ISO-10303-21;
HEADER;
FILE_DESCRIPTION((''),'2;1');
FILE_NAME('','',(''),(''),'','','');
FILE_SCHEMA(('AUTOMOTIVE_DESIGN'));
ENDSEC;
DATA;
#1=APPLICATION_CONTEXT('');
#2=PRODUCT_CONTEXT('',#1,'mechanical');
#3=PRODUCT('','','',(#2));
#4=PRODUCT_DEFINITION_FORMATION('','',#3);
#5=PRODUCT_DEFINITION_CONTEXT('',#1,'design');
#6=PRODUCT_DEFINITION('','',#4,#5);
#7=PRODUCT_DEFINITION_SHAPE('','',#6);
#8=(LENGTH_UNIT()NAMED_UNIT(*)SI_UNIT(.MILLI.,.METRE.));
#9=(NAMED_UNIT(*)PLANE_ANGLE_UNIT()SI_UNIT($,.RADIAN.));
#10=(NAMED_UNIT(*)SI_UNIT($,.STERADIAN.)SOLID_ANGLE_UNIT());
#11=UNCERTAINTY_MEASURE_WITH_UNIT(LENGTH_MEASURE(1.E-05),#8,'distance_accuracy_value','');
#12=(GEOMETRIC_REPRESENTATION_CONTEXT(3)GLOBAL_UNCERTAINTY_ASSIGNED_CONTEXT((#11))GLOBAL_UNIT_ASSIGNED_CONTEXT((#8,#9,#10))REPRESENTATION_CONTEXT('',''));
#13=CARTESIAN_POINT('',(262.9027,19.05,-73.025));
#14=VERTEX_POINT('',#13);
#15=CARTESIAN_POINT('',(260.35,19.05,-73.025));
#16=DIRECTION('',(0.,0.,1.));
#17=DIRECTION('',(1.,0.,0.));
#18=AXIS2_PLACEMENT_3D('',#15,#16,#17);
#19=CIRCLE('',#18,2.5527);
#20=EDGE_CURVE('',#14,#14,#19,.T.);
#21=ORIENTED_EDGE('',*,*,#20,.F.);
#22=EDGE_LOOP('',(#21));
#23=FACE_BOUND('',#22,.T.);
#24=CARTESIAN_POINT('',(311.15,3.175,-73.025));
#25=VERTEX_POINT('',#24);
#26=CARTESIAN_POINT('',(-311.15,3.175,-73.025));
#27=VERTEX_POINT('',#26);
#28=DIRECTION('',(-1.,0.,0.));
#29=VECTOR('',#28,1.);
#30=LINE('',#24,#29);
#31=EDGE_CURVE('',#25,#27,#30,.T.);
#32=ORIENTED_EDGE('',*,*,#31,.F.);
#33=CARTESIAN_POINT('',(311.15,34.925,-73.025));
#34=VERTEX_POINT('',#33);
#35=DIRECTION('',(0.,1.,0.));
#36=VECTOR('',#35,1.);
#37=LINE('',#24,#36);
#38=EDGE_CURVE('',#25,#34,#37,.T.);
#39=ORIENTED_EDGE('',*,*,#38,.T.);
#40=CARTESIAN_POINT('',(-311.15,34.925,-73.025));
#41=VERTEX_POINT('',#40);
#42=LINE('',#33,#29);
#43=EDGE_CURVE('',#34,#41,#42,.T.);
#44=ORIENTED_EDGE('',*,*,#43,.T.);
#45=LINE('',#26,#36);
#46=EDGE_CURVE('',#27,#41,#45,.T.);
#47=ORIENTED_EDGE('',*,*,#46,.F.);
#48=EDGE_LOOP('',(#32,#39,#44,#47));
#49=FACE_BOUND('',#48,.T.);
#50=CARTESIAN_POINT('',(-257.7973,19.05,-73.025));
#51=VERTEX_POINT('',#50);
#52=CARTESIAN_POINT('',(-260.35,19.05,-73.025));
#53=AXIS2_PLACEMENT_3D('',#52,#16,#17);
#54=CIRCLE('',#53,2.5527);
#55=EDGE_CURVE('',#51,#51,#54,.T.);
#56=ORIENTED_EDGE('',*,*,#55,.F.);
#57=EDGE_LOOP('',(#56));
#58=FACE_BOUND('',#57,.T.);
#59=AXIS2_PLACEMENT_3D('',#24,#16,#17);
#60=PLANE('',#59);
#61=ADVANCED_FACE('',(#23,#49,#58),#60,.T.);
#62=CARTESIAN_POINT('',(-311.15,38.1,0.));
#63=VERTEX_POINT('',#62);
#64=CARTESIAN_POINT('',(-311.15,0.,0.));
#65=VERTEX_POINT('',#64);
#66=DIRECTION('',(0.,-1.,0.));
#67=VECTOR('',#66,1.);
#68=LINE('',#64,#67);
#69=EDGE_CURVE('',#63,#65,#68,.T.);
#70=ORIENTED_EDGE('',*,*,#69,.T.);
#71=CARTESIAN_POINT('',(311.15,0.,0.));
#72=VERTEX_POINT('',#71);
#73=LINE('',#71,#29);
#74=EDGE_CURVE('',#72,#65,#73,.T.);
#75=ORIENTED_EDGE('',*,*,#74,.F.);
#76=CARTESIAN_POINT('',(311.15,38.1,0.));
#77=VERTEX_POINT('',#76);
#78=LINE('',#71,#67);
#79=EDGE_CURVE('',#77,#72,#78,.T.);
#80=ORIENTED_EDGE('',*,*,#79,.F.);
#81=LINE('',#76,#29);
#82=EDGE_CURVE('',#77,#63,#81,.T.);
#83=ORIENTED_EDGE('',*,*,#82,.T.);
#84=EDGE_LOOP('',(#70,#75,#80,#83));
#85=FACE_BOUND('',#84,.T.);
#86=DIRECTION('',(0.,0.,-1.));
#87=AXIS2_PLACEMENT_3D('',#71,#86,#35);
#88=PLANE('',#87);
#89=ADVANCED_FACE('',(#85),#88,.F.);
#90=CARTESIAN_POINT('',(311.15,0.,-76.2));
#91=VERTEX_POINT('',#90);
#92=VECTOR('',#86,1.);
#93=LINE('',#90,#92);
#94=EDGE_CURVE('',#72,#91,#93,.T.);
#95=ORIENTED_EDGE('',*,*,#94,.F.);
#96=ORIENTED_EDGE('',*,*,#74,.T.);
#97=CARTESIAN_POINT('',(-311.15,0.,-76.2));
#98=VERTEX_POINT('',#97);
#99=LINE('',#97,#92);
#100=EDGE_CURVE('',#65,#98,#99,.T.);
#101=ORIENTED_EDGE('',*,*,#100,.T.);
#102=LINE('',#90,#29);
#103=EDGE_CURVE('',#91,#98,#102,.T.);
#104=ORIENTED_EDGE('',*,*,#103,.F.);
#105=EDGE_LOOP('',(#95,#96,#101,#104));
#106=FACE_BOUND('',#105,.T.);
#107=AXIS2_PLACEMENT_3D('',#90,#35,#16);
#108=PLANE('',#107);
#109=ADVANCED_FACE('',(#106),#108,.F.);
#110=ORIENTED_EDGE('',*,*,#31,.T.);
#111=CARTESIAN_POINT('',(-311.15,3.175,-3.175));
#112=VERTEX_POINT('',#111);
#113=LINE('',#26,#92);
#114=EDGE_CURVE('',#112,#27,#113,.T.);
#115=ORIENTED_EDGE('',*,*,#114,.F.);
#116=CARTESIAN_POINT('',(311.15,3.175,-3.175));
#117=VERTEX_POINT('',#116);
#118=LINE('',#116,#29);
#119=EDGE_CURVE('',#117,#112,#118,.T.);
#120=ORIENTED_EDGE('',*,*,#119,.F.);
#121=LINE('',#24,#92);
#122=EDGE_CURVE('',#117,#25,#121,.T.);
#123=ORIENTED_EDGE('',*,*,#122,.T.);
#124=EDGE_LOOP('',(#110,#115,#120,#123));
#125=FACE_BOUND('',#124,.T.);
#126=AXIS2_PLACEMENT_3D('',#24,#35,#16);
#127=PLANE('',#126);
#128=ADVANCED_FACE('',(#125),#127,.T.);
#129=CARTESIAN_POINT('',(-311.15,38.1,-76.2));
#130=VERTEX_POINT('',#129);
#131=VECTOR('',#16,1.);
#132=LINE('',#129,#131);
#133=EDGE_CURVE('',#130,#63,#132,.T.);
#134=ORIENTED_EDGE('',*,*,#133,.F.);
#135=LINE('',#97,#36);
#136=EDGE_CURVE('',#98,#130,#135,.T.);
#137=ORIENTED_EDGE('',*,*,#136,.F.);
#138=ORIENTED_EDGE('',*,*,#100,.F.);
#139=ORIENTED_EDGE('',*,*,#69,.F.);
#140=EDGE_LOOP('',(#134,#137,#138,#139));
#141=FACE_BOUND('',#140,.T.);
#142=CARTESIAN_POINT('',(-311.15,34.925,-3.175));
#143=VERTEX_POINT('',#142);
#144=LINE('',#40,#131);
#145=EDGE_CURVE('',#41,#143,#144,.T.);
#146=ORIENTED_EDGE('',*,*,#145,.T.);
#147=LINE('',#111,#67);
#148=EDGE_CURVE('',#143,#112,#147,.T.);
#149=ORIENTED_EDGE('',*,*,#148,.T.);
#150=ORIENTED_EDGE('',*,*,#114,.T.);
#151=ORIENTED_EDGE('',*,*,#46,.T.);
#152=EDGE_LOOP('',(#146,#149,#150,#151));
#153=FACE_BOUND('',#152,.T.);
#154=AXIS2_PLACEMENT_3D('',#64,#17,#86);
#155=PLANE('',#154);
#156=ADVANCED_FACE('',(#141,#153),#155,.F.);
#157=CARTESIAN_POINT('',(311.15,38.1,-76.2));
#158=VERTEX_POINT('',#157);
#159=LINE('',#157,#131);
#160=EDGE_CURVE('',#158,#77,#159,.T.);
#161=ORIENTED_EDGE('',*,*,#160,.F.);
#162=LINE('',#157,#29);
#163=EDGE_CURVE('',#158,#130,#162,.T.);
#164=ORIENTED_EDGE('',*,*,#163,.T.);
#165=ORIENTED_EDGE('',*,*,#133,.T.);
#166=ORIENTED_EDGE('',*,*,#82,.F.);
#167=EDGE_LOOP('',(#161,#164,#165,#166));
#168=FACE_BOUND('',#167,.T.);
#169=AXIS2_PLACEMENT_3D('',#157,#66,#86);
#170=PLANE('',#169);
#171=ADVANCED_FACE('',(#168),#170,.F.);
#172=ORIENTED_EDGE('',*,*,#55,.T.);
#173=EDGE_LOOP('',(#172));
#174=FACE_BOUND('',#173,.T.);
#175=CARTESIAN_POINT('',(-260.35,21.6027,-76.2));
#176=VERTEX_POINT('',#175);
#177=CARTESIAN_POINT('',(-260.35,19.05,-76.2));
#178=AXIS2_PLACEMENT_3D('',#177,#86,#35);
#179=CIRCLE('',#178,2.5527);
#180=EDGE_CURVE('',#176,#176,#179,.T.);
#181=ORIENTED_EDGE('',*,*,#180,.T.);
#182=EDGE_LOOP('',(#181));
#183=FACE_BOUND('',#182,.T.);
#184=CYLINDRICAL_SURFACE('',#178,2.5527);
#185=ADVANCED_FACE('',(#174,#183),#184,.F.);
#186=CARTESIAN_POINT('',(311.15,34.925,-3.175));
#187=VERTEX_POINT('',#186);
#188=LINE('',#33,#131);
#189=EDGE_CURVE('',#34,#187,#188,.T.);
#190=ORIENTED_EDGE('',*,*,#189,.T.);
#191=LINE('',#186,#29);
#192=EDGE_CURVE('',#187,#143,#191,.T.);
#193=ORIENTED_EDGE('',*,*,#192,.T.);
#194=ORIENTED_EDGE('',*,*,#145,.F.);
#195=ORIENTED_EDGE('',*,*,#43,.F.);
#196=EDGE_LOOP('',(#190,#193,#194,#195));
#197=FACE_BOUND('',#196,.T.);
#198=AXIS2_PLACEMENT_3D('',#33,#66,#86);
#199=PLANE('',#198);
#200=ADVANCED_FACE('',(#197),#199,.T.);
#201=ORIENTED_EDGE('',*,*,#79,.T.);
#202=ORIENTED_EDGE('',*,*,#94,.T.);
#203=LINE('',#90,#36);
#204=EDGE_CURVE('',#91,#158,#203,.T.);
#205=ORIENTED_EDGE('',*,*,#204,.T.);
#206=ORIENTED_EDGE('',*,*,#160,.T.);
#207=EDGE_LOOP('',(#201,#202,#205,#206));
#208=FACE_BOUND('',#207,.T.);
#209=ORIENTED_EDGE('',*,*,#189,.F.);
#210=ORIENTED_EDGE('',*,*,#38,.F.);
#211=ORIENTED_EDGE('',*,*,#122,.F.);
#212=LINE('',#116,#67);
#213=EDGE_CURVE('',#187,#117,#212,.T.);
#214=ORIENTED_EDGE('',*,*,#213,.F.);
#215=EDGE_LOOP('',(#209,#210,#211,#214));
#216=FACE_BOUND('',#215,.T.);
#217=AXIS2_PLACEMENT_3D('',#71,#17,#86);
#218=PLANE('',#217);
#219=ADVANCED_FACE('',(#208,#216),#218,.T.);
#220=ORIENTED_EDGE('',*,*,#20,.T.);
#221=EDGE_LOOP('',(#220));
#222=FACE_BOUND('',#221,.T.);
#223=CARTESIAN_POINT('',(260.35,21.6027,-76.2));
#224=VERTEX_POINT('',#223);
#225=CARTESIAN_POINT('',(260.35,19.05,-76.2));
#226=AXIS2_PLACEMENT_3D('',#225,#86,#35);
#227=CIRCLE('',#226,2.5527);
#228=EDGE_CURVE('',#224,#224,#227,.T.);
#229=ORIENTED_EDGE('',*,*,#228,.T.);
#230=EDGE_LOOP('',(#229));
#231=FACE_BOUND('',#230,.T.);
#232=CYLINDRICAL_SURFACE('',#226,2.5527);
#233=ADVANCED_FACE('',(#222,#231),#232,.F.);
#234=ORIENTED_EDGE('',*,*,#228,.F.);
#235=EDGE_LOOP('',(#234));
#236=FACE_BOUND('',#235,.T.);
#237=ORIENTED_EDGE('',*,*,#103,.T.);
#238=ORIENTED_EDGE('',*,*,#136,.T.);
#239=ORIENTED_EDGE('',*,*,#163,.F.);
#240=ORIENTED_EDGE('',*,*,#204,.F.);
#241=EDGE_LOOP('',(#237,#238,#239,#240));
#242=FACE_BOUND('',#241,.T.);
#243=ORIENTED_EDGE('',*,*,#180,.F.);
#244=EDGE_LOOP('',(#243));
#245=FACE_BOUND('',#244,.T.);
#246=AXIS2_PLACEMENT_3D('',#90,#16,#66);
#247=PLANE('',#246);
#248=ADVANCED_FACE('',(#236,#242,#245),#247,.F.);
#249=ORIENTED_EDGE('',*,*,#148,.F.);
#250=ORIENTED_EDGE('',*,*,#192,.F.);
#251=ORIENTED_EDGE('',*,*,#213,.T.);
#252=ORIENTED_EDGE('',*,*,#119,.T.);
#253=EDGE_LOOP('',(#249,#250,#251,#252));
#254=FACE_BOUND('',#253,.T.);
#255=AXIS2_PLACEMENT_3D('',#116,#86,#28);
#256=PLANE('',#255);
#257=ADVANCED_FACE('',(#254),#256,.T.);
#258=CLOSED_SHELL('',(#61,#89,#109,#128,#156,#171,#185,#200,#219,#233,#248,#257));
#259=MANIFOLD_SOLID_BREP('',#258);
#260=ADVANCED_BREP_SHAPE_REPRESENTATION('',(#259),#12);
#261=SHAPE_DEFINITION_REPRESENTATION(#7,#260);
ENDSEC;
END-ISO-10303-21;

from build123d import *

# Parameters (mm, degrees)
SKETCH1_W                   = 76.2
SKETCH1_H                   = 38.1
SKETCH1_W_2                 = 69.85
SKETCH1_H_2                 = 31.75
BOSS_EXTRUDE1_DEPTH         = 311.15
F_1_4_20_TAPPED_HOLE1_D     = 5.1054
F_1_4_20_TAPPED_HOLE1_DEPTH = 3.175


with BuildPart() as part:
    # Sketch1 → Boss-Extrude1 (new body, symmetric)
    with BuildSketch(Plane(origin=(0, 0, 0), x_dir=(0, 0, -1), z_dir=(1, 0, 0))):
        with Locations((38.1, 19.05)):
            Rectangle(SKETCH1_W, SKETCH1_H)
        with Locations((38.1, 19.05)):
            Rectangle(SKETCH1_W_2, SKETCH1_H_2, mode=Mode.SUBTRACT)
    extrude(amount=BOSS_EXTRUDE1_DEPTH, both=True)

    # 1/4-20 Tapped Hole1
    with Locations(Plane(origin=(0, 0, -76.2), x_dir=(-1, 0, 0), z_dir=(0, 0, -1))):
        with Locations((260.35, 19.05), (-260.35, 19.05)):
            Hole(F_1_4_20_TAPPED_HOLE1_D / 2, depth=F_1_4_20_TAPPED_HOLE1_DEPTH)


solid = part.part
